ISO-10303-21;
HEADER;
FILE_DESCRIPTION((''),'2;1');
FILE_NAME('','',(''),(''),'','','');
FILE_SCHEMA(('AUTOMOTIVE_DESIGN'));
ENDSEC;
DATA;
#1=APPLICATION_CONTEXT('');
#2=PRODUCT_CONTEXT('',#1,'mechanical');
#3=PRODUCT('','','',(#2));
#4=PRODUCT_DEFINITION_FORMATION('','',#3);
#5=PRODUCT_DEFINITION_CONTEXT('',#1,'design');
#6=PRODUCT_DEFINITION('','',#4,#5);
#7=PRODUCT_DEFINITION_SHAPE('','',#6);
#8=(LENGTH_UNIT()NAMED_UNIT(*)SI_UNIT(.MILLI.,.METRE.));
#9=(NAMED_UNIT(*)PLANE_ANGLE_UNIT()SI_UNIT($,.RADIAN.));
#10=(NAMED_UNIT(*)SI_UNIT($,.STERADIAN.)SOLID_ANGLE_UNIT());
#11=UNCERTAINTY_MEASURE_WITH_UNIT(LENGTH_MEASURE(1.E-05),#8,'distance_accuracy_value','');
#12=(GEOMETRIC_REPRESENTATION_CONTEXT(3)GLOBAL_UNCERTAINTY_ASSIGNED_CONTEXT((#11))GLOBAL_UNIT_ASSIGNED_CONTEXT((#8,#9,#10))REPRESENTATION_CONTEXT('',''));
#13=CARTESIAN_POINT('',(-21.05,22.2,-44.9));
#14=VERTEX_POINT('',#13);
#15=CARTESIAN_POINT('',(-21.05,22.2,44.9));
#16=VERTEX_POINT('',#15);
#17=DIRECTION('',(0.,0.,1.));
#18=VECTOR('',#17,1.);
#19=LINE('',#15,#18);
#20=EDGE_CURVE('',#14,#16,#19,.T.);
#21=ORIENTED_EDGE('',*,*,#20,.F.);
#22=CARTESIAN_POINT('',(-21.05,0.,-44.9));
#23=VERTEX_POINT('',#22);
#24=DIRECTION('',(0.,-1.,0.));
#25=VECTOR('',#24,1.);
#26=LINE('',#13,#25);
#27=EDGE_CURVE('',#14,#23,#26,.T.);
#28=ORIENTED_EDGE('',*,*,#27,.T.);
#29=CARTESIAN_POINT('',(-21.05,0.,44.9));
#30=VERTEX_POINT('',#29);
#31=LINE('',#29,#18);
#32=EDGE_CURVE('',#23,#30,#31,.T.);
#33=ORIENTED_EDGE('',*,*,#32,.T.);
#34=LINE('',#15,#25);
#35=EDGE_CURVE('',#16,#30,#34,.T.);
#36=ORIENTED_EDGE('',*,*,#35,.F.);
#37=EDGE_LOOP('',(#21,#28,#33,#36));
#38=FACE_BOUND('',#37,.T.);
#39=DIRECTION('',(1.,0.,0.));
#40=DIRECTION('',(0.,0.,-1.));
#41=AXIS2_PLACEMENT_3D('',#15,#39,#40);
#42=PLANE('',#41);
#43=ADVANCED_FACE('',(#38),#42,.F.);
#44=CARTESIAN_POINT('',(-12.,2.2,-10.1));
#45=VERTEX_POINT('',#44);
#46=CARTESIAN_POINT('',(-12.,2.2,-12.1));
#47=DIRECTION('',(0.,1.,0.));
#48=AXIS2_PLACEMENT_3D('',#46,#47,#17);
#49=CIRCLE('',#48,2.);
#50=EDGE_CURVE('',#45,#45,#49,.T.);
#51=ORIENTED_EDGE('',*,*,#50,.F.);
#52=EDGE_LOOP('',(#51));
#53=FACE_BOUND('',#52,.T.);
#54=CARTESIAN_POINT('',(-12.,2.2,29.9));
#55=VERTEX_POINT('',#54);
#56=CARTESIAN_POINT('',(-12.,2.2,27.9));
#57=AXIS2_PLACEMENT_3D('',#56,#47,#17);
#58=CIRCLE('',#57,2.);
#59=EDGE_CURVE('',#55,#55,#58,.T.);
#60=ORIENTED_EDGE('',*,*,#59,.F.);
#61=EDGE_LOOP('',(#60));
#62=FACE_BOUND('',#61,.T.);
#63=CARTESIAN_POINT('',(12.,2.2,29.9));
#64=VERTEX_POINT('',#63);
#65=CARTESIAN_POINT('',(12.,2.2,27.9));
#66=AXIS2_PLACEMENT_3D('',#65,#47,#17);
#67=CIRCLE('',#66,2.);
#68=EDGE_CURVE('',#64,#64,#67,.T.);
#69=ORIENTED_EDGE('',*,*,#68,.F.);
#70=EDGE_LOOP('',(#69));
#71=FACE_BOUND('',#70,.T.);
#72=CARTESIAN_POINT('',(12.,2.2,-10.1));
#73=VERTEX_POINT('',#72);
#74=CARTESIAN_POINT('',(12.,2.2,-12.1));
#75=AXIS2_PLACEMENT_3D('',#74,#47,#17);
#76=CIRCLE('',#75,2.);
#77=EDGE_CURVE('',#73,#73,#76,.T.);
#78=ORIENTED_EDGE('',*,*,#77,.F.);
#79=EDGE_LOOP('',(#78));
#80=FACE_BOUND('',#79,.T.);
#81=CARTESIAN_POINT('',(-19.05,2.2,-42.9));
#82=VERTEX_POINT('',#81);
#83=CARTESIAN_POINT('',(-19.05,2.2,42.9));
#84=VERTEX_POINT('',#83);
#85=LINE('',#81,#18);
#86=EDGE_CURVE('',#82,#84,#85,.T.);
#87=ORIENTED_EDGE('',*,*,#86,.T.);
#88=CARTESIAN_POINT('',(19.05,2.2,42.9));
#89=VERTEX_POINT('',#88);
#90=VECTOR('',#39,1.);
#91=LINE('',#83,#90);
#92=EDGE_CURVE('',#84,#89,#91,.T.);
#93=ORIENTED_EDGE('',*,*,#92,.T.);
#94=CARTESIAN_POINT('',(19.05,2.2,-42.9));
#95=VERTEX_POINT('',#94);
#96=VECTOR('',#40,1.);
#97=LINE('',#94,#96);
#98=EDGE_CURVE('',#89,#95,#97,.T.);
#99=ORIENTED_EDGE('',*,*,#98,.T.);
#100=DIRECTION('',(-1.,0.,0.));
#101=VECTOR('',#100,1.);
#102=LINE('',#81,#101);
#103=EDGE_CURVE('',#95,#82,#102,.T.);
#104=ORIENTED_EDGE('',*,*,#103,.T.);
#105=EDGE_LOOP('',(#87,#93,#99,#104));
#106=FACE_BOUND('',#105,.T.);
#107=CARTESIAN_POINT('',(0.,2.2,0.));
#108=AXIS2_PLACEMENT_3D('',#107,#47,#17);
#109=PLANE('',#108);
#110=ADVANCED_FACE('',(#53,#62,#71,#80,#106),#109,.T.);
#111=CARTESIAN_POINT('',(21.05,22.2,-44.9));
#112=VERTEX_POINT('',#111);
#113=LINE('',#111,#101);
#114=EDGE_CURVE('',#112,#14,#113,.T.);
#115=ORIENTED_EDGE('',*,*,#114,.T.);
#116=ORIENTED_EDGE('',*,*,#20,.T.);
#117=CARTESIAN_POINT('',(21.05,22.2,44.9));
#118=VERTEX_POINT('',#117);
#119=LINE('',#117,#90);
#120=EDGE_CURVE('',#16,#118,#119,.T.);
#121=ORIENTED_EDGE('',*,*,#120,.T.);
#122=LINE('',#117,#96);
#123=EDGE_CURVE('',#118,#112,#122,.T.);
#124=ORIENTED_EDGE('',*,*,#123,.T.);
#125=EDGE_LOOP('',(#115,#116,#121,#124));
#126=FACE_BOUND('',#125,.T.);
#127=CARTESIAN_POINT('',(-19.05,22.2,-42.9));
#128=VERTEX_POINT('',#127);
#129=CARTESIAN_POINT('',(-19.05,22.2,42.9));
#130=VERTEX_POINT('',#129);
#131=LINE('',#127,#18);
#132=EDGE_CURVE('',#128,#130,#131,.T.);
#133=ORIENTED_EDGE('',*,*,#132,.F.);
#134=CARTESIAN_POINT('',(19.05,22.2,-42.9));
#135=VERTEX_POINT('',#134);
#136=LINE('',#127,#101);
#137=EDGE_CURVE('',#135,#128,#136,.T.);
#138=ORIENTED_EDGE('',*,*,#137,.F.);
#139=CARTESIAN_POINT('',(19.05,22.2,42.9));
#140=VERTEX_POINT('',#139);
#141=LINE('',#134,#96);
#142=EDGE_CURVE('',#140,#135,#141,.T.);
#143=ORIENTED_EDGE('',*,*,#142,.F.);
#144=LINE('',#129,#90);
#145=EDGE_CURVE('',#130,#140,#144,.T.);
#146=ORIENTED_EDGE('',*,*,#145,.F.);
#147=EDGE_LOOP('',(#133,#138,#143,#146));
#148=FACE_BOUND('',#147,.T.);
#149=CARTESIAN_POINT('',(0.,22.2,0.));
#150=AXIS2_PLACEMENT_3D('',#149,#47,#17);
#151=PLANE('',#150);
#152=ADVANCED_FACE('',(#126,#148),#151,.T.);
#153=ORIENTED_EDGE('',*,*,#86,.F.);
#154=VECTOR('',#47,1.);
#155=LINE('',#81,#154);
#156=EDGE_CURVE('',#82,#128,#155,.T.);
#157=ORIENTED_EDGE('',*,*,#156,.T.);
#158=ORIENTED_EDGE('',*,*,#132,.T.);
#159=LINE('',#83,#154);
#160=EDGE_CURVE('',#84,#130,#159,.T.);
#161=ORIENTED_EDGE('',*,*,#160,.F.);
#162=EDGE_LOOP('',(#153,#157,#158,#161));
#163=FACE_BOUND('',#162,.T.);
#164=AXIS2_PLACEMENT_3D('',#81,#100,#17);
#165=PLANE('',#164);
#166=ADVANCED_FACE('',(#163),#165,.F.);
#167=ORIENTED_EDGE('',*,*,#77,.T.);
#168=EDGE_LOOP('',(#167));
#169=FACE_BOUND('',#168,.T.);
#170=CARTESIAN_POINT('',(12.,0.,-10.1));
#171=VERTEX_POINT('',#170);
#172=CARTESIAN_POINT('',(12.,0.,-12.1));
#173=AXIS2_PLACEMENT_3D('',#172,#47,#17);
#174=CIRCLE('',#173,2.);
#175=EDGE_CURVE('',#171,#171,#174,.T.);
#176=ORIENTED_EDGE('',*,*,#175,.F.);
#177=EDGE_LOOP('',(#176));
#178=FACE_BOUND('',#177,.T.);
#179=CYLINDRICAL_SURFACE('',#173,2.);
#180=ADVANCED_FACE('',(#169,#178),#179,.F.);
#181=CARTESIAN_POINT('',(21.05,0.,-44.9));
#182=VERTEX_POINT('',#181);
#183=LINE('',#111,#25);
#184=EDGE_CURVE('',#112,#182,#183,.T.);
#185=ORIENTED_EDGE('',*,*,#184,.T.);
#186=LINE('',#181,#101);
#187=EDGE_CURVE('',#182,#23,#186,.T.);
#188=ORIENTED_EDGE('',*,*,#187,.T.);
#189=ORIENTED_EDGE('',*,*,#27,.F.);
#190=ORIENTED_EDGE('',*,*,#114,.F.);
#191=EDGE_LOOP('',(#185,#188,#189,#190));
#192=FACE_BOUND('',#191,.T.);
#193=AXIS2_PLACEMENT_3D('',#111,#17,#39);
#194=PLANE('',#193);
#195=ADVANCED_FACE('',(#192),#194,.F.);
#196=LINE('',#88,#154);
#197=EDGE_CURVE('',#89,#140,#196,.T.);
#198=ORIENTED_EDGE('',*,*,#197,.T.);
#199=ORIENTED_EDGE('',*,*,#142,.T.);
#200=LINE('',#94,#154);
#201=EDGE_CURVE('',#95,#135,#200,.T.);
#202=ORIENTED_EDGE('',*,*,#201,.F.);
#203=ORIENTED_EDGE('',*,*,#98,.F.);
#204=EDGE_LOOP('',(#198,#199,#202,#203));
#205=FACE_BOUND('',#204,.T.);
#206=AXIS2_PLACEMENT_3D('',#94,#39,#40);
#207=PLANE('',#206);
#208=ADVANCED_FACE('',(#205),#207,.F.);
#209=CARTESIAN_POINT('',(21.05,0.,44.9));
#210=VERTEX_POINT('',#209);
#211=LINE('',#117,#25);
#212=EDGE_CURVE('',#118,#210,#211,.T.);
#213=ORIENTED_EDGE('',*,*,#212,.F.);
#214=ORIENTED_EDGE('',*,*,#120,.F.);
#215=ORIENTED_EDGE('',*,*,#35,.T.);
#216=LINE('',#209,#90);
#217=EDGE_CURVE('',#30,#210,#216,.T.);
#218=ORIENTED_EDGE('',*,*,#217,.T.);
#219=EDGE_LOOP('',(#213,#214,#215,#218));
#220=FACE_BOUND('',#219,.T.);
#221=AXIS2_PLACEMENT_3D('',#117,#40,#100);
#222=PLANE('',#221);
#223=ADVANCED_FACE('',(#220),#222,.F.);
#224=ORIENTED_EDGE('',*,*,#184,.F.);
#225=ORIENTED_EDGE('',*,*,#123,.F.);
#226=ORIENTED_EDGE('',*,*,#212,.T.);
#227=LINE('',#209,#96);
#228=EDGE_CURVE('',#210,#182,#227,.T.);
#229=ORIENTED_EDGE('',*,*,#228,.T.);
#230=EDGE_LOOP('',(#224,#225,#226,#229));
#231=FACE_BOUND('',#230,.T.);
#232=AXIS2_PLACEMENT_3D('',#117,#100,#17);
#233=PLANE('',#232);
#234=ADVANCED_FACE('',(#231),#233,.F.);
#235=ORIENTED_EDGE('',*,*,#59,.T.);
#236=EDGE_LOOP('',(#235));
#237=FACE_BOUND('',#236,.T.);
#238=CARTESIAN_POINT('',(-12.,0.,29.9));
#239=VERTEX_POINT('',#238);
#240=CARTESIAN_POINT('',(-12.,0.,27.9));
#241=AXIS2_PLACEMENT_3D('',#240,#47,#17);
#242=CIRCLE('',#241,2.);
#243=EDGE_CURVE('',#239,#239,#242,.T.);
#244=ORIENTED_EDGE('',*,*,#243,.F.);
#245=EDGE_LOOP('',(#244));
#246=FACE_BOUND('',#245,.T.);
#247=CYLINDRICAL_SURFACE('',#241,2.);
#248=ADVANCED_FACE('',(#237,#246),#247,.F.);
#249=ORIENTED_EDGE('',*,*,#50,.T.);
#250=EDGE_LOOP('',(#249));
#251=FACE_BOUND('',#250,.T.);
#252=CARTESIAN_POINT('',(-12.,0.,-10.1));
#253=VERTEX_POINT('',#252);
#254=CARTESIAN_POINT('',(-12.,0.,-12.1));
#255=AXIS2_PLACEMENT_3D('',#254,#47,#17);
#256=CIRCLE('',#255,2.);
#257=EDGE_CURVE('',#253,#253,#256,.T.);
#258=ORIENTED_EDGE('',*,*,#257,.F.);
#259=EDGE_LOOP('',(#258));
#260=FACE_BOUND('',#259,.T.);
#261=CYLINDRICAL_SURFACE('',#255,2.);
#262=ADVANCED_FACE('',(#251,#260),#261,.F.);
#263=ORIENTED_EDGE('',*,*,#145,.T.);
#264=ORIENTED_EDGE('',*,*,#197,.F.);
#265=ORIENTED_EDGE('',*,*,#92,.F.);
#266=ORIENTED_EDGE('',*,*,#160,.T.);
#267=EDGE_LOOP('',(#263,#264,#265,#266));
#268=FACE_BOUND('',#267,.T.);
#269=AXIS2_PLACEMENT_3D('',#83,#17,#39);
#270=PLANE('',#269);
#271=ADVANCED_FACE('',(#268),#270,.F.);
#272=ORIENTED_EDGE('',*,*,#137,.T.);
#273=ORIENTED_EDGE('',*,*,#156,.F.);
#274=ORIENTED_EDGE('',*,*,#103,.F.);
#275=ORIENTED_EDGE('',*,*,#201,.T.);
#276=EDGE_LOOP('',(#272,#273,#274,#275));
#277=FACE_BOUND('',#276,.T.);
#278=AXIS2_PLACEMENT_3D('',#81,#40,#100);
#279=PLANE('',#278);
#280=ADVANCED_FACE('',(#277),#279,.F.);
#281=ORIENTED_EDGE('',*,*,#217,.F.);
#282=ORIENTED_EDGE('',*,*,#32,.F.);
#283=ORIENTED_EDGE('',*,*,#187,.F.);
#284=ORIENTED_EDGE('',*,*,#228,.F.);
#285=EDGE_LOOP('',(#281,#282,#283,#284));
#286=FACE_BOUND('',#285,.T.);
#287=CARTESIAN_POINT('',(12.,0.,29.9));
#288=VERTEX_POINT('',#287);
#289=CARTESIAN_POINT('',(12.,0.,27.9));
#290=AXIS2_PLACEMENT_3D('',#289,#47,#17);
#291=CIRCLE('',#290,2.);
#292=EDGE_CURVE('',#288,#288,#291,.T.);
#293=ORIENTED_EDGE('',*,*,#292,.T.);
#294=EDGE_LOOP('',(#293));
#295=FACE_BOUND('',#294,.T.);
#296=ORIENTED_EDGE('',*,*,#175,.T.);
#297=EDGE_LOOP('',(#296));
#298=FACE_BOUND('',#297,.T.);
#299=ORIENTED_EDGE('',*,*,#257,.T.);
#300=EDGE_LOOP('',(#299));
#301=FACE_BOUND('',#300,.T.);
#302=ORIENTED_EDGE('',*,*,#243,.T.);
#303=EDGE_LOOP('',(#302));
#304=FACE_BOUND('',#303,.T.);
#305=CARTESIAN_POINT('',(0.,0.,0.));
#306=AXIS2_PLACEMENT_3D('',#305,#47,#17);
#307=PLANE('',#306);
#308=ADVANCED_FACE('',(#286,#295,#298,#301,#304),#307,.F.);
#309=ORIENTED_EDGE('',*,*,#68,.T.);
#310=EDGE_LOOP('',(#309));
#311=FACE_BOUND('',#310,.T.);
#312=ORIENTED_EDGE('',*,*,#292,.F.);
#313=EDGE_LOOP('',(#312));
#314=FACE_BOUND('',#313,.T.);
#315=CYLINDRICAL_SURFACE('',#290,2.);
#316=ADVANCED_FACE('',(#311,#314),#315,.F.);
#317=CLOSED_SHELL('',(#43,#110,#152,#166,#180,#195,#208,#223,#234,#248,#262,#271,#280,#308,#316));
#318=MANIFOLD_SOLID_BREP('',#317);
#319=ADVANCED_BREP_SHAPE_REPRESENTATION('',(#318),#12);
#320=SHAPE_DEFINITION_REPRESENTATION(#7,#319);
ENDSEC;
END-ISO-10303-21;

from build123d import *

# Parameters (mm, degrees)
SKETCH_1_W          = 42.1
SKETCH_1_H          = 89.8
EXTRUDE_1_DEPTH     = 22.2
SKETCH_2_W          = 38.1
SKETCH_2_H          = 85.8
CUT_EXTRUDE_1_DEPTH = 20
SKETCH_3_R          = 2
CUT_EXTRUDE_2_DEPTH = 54.47066953


with BuildPart() as part:
    # 스케치1 → 보스-돌출1 (new body)
    with BuildSketch(Plane(origin=(0, 0, 0), x_dir=(1, 0, 0), z_dir=(0, 1, 0))):
        Rectangle(SKETCH_1_W, SKETCH_1_H)
    extrude(amount=EXTRUDE_1_DEPTH)

    # 스케치2 → 컷-돌출1 (cut)
    with BuildSketch(Plane(origin=(0, 22.2, 0), x_dir=(1, 0, 0), z_dir=(0, 1, 0))):
        Rectangle(SKETCH_2_W, SKETCH_2_H)
    extrude(amount=-CUT_EXTRUDE_1_DEPTH, mode=Mode.SUBTRACT)

    # 스케치3 → 컷-돌출2 (cut, through all)
    with BuildSketch(Plane(origin=(0, 2.2, 0), x_dir=(1, 0, 0), z_dir=(0, 1, 0))):
        with Locations(Location((-12, -27.9, 0), (0, 0, 270))):
            Circle(SKETCH_3_R)
        with Locations(Location((-12, 12.1, 0), (0, 0, 270))):
            Circle(SKETCH_3_R)
        with Locations(Location((12, 12.1, 0), (0, 0, 270))):
            Circle(SKETCH_3_R)
        with Locations(Location((12, -27.9, 0), (0, 0, 270))):
            Circle(SKETCH_3_R)
    extrude(amount=-CUT_EXTRUDE_2_DEPTH, mode=Mode.SUBTRACT)


solid = part.part
